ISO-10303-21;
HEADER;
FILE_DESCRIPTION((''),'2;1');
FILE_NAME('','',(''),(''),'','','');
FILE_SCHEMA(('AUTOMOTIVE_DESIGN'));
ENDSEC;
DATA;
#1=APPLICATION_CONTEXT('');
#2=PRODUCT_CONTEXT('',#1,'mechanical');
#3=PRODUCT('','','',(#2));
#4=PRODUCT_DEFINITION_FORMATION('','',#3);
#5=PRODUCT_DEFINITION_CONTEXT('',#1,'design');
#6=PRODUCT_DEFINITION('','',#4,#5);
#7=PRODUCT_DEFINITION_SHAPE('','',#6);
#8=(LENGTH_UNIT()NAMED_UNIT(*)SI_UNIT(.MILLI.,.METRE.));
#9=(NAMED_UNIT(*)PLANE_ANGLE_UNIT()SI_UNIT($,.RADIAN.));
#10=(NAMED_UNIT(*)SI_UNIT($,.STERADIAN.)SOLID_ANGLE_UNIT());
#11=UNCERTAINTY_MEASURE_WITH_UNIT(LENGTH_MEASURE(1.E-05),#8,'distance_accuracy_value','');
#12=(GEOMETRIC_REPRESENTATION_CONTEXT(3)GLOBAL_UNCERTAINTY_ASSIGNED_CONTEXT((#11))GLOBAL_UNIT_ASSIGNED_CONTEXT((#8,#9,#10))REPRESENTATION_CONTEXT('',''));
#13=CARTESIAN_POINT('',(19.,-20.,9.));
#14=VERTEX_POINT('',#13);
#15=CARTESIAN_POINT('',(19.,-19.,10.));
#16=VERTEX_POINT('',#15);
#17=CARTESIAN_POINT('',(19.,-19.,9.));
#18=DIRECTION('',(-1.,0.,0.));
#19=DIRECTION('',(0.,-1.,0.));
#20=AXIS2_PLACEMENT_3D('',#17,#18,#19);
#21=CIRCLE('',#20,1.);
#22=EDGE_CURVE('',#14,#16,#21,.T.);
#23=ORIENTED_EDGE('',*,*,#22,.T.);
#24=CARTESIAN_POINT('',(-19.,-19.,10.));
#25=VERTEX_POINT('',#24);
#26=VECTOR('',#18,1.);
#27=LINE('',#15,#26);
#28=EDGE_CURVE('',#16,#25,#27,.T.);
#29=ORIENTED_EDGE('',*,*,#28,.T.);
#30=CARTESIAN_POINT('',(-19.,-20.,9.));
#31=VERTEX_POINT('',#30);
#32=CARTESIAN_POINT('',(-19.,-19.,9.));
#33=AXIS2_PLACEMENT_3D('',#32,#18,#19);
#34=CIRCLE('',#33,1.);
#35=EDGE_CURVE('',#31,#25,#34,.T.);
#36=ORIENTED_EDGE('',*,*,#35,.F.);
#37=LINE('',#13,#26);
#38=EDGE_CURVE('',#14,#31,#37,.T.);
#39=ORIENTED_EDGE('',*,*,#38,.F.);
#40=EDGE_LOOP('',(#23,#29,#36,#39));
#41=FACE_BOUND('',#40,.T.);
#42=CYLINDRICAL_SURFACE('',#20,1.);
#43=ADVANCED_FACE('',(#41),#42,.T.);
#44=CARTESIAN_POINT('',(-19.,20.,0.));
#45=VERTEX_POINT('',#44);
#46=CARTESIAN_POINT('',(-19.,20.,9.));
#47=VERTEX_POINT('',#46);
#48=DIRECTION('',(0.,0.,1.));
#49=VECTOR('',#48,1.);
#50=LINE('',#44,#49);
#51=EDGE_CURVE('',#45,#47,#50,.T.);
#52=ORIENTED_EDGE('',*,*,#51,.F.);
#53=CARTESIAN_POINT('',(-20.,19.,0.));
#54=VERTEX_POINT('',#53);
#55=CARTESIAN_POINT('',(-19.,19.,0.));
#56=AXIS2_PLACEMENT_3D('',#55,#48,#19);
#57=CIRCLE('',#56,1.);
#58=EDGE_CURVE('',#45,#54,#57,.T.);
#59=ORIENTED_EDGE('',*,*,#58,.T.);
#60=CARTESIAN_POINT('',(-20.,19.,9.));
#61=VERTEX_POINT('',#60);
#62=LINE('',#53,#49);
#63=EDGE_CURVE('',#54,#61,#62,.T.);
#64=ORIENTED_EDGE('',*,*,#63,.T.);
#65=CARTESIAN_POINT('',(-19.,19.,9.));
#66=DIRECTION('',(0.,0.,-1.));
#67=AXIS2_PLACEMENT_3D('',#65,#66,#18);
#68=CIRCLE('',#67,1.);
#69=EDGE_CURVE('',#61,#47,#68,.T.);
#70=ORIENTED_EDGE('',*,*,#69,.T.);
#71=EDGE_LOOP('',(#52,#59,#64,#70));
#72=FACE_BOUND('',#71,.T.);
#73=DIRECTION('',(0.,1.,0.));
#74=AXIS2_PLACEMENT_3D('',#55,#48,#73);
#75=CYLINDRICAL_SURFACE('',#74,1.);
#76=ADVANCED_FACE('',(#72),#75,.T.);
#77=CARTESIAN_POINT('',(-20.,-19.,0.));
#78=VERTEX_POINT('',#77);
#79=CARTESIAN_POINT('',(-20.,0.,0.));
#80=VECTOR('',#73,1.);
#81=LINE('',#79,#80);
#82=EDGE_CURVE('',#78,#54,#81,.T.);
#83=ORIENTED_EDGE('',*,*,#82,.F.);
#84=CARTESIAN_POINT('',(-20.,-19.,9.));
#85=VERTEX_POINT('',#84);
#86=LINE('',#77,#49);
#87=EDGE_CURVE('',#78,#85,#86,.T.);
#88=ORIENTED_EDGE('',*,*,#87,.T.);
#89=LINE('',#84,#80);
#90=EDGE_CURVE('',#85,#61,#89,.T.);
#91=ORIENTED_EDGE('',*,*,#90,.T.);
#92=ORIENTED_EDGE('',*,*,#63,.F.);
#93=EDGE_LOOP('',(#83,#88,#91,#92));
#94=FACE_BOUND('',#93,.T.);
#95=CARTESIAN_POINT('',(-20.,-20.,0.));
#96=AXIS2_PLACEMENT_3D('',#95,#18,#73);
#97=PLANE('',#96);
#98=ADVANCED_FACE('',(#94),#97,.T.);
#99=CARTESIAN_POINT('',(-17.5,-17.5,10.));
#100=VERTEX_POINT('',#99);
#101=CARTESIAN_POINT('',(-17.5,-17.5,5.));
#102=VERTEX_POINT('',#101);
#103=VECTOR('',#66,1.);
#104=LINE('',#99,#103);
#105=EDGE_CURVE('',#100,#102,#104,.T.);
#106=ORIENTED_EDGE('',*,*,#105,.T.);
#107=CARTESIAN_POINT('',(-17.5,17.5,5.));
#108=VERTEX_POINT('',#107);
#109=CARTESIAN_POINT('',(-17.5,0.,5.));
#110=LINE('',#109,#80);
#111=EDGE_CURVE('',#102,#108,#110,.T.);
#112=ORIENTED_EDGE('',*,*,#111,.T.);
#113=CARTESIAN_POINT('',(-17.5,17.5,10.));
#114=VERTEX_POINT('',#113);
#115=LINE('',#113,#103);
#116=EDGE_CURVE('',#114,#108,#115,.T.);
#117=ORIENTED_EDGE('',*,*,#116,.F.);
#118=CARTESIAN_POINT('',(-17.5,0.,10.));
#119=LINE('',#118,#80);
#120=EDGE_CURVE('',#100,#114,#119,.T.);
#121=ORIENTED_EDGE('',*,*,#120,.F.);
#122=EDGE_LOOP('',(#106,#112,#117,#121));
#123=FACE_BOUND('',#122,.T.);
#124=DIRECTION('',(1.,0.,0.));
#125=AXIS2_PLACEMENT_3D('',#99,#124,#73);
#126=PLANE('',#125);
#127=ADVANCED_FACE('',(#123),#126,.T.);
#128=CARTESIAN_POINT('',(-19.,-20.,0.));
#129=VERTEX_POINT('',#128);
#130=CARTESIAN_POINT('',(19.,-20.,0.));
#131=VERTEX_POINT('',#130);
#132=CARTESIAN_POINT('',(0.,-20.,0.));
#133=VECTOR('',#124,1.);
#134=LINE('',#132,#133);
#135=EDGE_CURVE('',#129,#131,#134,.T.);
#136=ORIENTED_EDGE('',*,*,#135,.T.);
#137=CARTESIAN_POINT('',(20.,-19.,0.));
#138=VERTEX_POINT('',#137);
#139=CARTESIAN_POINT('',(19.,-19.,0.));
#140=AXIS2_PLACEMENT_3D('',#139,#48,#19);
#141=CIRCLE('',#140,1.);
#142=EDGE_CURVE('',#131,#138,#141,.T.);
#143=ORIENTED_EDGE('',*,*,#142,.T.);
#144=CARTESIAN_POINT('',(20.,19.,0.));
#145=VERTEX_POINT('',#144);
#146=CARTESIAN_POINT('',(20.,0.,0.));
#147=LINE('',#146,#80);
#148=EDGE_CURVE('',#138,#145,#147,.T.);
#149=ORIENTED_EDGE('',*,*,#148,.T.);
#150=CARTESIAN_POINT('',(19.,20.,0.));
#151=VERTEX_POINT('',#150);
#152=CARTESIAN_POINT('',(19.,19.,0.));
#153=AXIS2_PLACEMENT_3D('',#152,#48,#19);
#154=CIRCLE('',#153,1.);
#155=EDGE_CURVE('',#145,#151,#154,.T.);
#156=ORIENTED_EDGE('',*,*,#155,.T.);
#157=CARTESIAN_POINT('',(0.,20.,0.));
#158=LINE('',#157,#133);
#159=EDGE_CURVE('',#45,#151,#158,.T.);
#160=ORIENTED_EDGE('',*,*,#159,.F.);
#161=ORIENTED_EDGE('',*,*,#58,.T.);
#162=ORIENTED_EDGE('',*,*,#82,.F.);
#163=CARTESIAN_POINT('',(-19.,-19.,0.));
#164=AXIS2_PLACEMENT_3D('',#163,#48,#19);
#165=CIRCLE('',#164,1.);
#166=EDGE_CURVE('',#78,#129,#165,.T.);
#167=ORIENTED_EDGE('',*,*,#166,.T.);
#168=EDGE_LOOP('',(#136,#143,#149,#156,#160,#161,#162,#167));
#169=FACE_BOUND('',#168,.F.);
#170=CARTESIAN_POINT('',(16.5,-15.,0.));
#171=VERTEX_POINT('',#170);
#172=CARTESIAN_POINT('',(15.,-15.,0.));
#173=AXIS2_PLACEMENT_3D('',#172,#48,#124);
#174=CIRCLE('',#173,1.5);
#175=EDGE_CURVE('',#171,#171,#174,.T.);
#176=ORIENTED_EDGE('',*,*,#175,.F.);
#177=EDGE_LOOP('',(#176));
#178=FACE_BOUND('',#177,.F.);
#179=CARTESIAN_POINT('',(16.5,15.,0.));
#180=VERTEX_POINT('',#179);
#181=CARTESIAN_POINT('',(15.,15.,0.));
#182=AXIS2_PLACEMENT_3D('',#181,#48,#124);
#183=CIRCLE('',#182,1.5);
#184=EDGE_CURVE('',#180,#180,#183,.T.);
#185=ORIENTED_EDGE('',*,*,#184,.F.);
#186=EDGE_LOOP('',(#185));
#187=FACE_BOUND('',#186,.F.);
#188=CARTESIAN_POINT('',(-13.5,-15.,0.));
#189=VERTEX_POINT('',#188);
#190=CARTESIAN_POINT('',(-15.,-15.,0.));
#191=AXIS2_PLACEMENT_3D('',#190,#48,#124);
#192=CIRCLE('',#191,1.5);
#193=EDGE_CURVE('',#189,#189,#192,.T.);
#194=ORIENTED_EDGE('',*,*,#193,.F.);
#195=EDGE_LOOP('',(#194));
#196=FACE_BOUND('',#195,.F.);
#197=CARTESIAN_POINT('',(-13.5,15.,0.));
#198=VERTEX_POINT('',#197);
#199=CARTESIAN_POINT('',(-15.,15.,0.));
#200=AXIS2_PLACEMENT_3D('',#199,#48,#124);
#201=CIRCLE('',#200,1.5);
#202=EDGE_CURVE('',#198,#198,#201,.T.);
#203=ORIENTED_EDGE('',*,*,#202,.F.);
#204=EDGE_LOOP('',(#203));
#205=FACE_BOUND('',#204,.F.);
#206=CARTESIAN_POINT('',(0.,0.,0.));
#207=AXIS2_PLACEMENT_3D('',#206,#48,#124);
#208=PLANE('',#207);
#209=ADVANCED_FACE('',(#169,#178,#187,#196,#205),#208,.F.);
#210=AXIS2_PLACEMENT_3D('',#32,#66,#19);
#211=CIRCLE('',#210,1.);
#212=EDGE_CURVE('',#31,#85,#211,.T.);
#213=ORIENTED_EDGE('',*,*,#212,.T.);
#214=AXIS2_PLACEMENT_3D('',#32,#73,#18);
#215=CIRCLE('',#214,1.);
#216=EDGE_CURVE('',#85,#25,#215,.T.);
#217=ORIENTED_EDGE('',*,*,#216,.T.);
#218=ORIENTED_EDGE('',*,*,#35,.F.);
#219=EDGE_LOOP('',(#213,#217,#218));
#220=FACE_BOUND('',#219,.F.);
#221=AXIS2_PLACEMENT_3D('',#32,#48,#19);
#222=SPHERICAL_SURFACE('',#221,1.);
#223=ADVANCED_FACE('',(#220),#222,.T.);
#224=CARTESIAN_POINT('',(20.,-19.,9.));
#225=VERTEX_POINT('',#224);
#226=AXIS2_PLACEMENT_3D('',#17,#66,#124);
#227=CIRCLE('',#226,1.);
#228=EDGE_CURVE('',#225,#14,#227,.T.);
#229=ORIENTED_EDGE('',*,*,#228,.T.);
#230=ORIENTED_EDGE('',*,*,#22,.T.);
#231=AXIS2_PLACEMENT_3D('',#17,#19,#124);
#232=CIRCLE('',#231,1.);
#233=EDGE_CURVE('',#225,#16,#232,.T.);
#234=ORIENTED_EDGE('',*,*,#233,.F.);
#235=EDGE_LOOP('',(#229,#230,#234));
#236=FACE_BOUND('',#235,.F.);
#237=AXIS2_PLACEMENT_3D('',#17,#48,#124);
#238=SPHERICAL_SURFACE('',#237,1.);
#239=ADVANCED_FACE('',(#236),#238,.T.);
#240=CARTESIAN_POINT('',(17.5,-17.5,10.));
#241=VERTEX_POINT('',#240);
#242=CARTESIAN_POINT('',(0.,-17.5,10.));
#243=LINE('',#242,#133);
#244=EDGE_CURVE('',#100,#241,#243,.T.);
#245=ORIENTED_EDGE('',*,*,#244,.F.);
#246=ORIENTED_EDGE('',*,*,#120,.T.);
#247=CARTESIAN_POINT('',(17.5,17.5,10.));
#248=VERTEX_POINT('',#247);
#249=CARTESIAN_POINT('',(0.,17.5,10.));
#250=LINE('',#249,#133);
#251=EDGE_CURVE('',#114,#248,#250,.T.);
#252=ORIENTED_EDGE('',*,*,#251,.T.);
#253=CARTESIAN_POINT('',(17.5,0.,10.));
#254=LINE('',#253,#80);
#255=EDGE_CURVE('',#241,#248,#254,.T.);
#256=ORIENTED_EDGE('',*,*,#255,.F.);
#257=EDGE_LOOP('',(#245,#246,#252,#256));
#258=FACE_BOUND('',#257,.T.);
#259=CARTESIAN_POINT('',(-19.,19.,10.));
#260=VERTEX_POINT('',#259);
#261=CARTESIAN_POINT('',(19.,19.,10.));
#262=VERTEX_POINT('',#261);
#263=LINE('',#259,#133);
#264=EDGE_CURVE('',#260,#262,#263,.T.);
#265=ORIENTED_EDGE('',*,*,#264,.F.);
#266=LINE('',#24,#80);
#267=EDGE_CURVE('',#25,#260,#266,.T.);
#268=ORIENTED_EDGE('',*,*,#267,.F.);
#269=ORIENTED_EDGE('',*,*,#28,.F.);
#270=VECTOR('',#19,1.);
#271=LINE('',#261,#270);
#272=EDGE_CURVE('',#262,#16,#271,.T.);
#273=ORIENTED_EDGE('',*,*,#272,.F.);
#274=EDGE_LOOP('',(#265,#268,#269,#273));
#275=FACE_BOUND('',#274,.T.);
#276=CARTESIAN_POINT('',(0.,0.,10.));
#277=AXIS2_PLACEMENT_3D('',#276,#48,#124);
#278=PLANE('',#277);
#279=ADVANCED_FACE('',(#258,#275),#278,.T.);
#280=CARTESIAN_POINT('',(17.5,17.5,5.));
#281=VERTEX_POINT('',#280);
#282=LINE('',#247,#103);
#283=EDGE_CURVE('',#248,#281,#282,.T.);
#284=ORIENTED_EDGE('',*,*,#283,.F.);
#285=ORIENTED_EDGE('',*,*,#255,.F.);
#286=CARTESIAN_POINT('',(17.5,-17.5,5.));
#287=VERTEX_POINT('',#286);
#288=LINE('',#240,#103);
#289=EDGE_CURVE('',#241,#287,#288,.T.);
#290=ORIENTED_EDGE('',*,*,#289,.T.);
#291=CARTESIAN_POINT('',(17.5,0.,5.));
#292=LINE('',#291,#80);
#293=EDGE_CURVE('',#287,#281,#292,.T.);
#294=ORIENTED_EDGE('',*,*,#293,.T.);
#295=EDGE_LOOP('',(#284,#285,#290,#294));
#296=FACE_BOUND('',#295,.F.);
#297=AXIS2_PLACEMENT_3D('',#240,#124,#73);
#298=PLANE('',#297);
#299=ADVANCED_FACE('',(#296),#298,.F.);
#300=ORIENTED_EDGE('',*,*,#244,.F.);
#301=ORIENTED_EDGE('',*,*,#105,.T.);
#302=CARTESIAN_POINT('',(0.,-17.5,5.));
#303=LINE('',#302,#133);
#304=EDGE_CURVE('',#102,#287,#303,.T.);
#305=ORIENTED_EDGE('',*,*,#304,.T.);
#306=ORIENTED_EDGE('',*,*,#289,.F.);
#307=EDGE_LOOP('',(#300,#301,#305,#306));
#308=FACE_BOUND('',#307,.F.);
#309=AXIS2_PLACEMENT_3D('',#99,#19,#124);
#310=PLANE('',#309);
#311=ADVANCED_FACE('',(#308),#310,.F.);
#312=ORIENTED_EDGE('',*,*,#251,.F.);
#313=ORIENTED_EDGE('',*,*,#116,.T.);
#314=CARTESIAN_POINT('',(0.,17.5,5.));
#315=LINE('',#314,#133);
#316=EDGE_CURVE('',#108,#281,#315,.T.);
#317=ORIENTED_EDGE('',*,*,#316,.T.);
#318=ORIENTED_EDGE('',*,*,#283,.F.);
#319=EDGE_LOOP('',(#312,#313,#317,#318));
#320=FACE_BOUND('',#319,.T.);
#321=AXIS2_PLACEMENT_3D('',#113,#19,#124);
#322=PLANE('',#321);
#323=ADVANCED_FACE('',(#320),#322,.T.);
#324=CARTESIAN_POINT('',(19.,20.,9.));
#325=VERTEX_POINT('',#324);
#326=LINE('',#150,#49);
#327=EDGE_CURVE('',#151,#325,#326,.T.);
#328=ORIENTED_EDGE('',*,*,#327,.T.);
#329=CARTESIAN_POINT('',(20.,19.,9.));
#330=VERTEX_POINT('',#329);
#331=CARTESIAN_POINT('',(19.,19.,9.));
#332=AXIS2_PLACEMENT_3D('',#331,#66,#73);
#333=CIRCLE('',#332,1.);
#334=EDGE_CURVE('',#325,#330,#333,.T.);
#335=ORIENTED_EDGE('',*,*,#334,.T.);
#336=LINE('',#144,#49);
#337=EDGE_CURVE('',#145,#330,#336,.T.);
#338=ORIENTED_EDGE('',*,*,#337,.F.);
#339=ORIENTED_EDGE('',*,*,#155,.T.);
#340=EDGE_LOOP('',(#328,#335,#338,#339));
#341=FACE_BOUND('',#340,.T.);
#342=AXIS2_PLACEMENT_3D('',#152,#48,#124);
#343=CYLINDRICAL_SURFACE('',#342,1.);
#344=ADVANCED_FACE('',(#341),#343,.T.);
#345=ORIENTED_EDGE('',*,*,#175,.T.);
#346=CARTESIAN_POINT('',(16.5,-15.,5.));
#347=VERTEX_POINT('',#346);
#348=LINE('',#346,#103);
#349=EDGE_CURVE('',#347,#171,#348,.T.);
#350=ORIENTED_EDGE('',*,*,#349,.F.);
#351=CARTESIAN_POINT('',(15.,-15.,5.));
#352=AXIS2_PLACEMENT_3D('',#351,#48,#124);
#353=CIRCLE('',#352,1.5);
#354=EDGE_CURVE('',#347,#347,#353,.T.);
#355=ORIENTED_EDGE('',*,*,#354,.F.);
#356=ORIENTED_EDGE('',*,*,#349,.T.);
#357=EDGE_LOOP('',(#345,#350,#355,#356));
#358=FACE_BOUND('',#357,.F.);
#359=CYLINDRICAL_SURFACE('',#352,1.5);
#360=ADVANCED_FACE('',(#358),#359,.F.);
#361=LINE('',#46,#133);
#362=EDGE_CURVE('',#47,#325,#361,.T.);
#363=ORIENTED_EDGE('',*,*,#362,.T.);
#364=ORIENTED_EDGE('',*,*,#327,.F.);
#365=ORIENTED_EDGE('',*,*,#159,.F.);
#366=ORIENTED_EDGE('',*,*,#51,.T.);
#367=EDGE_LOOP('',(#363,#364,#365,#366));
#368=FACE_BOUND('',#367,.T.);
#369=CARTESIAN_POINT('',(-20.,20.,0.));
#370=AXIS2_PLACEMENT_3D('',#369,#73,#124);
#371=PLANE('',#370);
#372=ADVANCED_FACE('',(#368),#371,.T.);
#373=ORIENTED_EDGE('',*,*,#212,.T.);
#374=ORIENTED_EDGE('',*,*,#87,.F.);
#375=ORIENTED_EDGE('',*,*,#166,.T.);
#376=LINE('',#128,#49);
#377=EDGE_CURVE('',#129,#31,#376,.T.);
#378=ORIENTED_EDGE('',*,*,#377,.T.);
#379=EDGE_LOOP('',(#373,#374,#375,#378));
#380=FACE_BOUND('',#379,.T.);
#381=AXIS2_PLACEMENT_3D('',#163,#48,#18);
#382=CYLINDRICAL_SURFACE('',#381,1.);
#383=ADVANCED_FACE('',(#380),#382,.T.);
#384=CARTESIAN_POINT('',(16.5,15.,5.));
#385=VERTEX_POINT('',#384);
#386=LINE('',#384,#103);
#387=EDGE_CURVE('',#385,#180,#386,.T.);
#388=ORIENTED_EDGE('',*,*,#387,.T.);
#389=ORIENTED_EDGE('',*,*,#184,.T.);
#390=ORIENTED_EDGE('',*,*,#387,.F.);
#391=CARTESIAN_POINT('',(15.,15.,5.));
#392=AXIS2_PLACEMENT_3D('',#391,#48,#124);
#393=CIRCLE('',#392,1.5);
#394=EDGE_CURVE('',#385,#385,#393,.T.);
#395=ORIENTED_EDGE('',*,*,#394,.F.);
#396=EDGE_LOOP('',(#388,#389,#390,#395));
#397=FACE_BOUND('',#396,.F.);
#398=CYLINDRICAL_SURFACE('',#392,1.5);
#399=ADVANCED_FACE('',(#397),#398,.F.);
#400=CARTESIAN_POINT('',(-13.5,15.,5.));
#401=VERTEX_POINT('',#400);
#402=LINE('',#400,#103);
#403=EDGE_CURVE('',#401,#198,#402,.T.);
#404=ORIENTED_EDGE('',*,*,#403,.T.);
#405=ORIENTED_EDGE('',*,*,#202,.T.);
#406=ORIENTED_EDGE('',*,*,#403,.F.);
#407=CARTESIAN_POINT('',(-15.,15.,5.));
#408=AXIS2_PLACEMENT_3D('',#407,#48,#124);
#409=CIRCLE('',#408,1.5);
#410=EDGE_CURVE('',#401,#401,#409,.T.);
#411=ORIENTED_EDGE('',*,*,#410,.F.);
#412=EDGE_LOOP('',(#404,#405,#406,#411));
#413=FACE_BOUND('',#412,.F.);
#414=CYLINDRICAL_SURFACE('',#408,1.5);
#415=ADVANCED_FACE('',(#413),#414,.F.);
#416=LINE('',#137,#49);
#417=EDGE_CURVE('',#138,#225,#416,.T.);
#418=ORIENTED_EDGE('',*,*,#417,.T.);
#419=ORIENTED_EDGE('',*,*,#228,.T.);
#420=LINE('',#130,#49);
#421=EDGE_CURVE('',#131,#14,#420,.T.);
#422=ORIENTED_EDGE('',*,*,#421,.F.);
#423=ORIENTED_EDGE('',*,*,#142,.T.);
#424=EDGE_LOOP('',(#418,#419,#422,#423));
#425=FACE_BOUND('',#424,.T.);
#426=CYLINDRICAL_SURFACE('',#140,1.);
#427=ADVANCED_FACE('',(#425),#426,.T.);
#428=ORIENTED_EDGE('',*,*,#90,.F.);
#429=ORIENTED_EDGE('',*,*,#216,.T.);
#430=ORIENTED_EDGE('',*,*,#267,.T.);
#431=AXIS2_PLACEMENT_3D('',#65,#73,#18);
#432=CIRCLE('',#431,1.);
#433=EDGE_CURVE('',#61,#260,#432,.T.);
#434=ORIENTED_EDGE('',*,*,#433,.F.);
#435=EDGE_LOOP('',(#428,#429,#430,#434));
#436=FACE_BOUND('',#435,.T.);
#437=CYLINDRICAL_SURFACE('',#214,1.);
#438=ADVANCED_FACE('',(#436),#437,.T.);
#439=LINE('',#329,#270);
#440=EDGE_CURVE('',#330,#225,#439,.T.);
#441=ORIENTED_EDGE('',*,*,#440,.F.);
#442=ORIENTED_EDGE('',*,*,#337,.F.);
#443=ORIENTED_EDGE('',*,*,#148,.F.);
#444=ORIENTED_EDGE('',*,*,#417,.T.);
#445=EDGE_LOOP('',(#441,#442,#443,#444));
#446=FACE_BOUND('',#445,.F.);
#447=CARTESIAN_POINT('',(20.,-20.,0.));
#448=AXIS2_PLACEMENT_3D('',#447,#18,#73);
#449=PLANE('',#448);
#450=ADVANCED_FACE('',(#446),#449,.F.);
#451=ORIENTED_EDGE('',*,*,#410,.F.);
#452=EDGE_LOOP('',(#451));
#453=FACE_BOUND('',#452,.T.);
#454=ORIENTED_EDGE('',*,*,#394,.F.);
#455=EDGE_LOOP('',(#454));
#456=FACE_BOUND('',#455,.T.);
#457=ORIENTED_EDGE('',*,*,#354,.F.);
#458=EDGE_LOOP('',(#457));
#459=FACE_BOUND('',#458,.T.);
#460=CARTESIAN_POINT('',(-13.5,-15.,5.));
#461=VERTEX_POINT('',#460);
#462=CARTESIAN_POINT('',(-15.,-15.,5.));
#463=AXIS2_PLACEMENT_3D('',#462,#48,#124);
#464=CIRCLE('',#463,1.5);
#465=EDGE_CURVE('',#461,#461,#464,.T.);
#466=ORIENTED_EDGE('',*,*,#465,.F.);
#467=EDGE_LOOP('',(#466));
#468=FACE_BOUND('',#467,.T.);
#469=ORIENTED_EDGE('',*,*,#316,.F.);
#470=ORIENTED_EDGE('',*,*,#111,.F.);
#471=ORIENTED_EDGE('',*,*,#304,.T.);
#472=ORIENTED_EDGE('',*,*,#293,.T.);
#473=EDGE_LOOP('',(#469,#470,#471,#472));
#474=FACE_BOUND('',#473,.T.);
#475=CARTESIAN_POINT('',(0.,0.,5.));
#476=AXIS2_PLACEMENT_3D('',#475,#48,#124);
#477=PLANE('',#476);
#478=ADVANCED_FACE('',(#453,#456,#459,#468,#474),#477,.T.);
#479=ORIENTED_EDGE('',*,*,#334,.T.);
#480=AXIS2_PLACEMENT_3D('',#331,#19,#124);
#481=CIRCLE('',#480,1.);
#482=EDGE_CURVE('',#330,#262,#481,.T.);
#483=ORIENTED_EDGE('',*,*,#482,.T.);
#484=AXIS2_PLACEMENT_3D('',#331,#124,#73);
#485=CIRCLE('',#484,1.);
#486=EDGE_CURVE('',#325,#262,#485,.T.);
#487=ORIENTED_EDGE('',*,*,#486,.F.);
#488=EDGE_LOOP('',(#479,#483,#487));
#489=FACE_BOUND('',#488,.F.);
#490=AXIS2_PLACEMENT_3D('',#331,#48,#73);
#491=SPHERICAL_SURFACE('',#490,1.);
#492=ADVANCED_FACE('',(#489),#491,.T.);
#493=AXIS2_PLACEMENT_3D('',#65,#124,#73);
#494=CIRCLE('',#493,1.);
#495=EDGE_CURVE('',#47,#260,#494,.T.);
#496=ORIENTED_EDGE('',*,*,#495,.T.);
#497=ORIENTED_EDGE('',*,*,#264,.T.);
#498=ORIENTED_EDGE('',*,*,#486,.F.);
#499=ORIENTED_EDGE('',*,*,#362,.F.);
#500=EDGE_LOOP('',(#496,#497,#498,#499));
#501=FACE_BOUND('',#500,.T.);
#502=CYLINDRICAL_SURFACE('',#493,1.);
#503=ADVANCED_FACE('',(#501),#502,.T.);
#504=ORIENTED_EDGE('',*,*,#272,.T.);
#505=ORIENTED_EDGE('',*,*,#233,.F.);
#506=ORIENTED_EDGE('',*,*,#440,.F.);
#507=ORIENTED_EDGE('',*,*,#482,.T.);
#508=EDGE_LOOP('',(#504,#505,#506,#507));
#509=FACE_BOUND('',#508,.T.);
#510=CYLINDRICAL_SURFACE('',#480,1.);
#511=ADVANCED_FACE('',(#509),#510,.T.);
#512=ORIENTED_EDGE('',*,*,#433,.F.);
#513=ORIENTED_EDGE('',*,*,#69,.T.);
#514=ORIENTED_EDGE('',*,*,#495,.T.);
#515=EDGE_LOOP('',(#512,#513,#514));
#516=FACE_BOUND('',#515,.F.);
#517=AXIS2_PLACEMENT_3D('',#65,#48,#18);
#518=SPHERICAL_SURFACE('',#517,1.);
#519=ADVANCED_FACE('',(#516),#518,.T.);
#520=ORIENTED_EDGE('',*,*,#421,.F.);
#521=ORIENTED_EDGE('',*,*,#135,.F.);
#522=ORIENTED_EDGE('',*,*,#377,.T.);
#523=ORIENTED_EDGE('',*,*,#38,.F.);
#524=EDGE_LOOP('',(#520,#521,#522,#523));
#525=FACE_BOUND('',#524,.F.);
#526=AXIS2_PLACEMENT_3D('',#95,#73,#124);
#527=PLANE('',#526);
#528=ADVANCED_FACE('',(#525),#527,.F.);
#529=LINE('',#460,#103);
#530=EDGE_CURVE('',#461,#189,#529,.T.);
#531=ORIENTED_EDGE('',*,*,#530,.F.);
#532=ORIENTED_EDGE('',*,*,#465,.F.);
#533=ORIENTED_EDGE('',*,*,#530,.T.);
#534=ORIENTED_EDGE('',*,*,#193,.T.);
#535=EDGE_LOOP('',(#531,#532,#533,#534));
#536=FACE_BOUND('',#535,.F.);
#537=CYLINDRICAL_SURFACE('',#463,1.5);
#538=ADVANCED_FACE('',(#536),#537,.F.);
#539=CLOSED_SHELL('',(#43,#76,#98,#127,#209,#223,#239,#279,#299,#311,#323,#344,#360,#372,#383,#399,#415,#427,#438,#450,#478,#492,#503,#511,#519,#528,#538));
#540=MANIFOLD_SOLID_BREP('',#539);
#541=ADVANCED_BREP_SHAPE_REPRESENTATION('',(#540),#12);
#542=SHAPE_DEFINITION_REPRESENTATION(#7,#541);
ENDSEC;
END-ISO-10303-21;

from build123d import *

# Parameters (mm, degrees)
SKETCH_W     = 40
SKETCH_H     = 40
PAD_DEPTH    = 10
SKETCH001_W  = 35
SKETCH001_H  = 35
POCKET_DEPTH = 5
FILLET_R     = 1
FILLET001_R  = 1
FILLET002_R  = 1
FILLET003_R  = 1
FILLET004_R  = 1
SKETCH002_R  = 1.5
HOLE_DEPTH   = 25


with BuildPart() as part:
    # Sketch → Pad (new body)
    with BuildSketch(Plane.XY):
        Rectangle(SKETCH_W, SKETCH_H)
    extrude(amount=PAD_DEPTH)

    # Sketch001 (on Face6 of Pad) → Pocket (cut)
    with BuildSketch(Plane.XY.offset(10)):
        Rectangle(SKETCH001_W, SKETCH001_H)
    extrude(amount=-POCKET_DEPTH, mode=Mode.SUBTRACT)

    # Fillet
    fillet_edges = [part.edges().sort_by_distance(p)[0] for p in [
        (-20, -20, 5),
    ]]
    fillet(fillet_edges, radius=FILLET_R)

    # Fillet001
    fillet001_edges = [part.edges().sort_by_distance(p)[0] for p in [
        (20, -20, 5),
    ]]
    fillet(fillet001_edges, radius=FILLET001_R)

    # Fillet002
    fillet002_edges = [part.edges().sort_by_distance(p)[0] for p in [
        (20, 20, 5),
    ]]
    fillet(fillet002_edges, radius=FILLET002_R)

    # Fillet003
    fillet003_edges = [part.edges().sort_by_distance(p)[0] for p in [
        (-20, 20, 5),
    ]]
    fillet(fillet003_edges, radius=FILLET003_R)

    # Fillet004
    fillet004_edges = [part.edges().sort_by_distance(p)[0] for p in [
        (-20, 0, 10),
    ]]
    fillet(fillet004_edges, radius=FILLET004_R)

    # Sketch002 (on Face23 of Fillet004) → Hole (cut)
    with BuildSketch(Plane.XY.offset(5)):
        with Locations((-15, 15)):
            Circle(SKETCH002_R)
        with Locations((15, 15)):
            Circle(SKETCH002_R)
        with Locations((-15, -15)):
            Circle(SKETCH002_R)
        with Locations((15, -15)):
            Circle(SKETCH002_R)
    extrude(amount=-HOLE_DEPTH, mode=Mode.SUBTRACT)


solid = part.part
